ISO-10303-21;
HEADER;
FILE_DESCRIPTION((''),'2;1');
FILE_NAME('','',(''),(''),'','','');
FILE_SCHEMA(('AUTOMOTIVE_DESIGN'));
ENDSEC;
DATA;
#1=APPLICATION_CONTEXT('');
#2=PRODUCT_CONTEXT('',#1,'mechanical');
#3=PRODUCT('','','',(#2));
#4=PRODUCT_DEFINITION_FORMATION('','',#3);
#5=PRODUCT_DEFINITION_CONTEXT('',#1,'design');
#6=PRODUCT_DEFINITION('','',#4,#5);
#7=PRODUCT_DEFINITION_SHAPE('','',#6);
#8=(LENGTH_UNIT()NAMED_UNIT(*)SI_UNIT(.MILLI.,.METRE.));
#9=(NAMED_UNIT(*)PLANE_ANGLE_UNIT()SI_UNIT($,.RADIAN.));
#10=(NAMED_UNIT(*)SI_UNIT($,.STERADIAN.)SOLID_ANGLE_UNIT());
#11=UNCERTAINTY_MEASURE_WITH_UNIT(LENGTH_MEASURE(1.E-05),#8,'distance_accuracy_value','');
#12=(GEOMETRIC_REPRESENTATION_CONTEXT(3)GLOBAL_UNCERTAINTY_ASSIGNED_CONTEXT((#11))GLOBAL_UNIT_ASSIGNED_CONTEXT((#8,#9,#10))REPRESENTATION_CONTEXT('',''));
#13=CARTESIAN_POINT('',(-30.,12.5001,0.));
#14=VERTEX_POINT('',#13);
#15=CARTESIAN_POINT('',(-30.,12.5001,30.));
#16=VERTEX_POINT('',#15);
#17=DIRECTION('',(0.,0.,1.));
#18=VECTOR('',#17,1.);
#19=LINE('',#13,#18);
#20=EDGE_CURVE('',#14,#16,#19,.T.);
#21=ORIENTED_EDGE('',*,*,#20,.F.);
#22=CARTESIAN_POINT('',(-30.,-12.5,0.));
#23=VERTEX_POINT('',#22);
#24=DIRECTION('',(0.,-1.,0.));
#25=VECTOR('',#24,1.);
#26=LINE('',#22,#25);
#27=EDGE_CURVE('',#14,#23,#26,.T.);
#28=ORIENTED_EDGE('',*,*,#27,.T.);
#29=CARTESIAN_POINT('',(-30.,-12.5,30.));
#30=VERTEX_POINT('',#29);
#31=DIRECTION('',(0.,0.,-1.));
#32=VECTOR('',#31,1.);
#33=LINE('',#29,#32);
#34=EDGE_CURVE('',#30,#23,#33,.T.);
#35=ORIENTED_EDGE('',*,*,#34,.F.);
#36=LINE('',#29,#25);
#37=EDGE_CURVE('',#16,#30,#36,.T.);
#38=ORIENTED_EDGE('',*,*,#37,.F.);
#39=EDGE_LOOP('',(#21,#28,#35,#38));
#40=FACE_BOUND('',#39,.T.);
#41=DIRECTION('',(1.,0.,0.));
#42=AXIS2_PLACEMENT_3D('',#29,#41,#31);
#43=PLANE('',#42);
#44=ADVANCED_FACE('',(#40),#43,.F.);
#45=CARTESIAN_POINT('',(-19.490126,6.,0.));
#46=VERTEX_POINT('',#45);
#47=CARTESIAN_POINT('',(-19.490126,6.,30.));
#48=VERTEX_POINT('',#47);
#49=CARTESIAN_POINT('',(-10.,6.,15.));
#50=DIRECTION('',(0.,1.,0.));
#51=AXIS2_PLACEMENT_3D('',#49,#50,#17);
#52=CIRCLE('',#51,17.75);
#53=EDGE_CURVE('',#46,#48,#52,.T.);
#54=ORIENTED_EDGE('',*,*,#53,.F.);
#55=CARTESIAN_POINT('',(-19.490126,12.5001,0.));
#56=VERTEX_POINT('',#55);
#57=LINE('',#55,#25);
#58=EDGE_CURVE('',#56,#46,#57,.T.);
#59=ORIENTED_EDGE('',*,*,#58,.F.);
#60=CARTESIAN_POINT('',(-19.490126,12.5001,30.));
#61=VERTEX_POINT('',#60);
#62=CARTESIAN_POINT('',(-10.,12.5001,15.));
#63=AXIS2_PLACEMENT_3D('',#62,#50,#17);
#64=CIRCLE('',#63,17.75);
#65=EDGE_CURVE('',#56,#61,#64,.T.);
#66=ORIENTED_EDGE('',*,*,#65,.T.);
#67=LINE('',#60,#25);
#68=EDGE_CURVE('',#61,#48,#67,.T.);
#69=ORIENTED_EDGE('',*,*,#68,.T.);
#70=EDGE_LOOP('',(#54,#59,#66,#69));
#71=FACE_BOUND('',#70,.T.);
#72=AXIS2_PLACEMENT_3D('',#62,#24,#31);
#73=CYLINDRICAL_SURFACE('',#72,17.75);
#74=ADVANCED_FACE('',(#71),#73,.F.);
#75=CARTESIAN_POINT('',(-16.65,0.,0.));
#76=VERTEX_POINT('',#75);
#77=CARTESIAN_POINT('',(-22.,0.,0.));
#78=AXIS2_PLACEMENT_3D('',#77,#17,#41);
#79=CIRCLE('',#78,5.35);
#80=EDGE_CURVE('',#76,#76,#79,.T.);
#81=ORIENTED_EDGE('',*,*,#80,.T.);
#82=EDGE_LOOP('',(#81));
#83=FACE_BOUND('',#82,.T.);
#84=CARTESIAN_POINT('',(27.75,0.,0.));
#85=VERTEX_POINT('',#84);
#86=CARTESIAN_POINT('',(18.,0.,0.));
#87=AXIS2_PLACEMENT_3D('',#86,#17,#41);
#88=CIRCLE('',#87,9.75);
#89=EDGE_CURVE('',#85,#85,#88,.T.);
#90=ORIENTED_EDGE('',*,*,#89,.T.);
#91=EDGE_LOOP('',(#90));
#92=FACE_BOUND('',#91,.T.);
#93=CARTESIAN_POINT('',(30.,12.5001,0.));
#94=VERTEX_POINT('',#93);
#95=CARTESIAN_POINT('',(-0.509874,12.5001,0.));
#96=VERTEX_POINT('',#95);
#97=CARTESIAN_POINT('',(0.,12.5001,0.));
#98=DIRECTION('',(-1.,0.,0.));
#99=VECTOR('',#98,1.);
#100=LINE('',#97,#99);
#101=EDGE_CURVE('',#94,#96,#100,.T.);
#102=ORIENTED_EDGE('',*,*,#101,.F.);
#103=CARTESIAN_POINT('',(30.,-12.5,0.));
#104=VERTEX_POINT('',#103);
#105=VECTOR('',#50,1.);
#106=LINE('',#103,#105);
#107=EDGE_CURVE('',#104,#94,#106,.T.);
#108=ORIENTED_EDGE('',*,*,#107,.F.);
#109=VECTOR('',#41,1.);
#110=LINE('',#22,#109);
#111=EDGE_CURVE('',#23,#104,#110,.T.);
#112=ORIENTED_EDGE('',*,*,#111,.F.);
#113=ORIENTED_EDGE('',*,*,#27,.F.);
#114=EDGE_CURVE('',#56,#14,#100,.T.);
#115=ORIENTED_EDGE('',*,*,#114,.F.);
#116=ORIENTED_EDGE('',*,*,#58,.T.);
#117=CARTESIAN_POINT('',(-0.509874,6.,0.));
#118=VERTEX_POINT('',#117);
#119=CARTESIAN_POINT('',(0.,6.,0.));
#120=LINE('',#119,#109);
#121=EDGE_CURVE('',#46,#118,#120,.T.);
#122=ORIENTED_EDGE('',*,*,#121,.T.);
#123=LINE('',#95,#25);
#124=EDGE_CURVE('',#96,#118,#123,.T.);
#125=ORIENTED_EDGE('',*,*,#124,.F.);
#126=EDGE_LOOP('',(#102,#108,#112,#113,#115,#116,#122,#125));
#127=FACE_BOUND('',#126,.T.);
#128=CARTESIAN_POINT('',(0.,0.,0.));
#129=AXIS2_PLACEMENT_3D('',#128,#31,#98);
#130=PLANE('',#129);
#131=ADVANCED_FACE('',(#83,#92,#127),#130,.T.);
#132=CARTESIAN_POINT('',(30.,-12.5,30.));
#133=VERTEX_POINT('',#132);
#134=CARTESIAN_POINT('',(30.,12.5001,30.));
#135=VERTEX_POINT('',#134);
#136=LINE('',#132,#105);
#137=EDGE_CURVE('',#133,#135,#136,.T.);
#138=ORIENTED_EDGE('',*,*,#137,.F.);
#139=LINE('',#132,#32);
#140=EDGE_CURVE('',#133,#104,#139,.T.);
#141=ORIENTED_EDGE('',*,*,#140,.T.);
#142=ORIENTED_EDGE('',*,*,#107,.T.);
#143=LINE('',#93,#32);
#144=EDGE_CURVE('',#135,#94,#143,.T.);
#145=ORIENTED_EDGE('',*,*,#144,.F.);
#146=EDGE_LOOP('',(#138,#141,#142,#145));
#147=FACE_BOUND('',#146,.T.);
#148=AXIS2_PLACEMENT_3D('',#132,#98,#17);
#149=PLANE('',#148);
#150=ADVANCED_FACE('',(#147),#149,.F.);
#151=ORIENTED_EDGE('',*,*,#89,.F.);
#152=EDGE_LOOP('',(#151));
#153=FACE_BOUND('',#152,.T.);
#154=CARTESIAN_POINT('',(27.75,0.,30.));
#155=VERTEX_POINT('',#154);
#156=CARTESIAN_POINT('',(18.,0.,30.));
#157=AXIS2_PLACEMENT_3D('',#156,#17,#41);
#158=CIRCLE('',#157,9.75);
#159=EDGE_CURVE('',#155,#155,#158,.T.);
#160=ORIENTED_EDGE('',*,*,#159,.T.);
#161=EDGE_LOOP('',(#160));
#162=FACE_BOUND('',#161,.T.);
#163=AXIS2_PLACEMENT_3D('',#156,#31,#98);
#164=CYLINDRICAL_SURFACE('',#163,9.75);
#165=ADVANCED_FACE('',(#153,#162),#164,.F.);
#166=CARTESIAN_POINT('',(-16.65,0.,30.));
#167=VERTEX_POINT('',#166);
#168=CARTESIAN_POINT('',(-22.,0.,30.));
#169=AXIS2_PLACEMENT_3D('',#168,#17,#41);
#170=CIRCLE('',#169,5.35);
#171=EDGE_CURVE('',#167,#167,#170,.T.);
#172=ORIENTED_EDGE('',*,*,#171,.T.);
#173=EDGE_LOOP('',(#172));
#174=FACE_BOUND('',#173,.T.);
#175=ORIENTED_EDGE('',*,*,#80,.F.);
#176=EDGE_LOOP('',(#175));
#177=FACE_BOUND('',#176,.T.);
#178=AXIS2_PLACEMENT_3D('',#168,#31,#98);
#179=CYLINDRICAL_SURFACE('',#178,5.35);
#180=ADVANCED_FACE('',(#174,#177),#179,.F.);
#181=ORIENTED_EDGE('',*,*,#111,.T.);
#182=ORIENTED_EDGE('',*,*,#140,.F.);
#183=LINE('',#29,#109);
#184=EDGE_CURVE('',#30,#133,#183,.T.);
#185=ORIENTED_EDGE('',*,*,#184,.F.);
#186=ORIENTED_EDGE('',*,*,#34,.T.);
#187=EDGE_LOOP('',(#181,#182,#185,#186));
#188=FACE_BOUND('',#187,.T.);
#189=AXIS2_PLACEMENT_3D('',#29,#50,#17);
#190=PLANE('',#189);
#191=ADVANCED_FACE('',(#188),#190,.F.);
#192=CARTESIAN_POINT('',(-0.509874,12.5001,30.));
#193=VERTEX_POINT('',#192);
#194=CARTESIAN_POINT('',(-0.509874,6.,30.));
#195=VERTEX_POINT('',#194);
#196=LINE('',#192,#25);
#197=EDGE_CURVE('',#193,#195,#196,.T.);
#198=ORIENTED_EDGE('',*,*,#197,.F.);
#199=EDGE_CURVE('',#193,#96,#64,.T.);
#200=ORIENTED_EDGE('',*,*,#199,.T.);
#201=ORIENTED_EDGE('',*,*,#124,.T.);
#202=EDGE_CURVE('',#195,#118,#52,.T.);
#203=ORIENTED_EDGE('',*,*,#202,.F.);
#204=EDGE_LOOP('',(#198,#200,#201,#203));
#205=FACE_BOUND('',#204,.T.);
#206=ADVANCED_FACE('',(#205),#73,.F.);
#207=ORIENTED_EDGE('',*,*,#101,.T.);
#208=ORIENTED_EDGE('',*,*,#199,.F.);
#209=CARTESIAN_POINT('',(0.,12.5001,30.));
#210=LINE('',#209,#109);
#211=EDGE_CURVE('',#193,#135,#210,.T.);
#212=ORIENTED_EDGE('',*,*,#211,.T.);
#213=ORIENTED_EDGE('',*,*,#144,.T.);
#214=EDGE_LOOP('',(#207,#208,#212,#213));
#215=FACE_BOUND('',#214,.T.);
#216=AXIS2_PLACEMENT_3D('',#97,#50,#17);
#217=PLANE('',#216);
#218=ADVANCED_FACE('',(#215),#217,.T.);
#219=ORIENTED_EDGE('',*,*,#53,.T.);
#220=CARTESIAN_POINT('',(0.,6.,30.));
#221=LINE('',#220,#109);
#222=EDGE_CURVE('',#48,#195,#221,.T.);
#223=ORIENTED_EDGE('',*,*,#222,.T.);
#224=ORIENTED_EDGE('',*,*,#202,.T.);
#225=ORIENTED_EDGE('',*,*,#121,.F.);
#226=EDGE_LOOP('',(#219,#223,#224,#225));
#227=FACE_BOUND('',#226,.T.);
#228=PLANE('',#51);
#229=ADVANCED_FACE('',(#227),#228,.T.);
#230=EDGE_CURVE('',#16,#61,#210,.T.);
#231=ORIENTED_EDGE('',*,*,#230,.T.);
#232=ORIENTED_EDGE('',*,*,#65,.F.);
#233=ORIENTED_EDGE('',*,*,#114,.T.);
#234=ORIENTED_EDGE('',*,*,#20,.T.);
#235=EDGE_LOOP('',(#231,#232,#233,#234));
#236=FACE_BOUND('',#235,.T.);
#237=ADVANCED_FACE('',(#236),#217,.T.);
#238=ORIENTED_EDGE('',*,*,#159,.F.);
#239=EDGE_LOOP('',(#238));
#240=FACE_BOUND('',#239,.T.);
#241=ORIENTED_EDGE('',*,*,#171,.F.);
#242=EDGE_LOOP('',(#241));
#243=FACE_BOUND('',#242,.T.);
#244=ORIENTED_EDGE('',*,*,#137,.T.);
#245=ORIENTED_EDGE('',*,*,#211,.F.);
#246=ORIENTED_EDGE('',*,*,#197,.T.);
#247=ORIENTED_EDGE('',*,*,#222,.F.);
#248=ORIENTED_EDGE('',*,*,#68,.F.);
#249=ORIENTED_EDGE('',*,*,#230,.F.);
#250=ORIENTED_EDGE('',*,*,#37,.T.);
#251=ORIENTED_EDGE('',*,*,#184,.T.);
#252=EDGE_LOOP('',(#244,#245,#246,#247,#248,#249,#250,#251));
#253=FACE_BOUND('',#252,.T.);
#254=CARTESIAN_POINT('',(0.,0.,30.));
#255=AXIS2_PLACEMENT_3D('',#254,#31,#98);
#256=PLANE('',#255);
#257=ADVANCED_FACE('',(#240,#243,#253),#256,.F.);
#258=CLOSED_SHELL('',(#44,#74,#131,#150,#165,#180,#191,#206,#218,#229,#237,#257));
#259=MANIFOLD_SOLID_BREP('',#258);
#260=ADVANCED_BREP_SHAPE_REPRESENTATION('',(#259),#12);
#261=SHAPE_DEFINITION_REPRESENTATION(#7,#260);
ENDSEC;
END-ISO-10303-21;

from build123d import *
from build123d.topology import SkipClean

# Parameters (mm, degrees)
SKETCH1_W           = 60
SKETCH1_H           = 25
SKETCH1_R           = 9.75
SKETCH1_R_2         = 5.35
BOSS_EXTRUDE1_DEPTH = 30
BOSS_EXTRUDE2_DEPTH = 0.0001
CUT_EXTRUDE1_START  = -6.5
SKETCH2_3_R         = 17.75
CUT_EXTRUDE1_DEPTH  = 6.5


with BuildPart() as part:
    # Sketch1 → Boss-Extrude1 (new body)
    with BuildSketch(Plane.XY):
        Rectangle(SKETCH1_W, SKETCH1_H)
        with Locations((18, 0)):
            Circle(SKETCH1_R, mode=Mode.SUBTRACT)
        with Locations((-22, 0)):
            Circle(SKETCH1_R_2, mode=Mode.SUBTRACT)
    extrude(amount=BOSS_EXTRUDE1_DEPTH)

    # Sketch2 → Boss-Extrude2 (add)
    with BuildSketch(Plane(origin=(0, 12.5, 0), x_dir=(1, 0, 0), z_dir=(0, 1, 0))):
        with BuildLine():
            ThreePointArc((-0.509873552, 0), (7.75, -15), (-0.509873552, -30))
            Line((-0.509873552, -30), (30, -30))
            Line((30, -30), (30, 0))
            Line((30, 0), (-0.509873552, 0))
        make_face()
        with BuildLine():
            ThreePointArc((-19.490126448, -30), (-27.75, -15), (-19.490126448, 0))
            Line((-19.490126448, 0), (-30, 0))
            Line((-30, 0), (-30, -30))
            Line((-30, -30), (-19.490126448, -30))
        make_face()
    extrude(amount=BOSS_EXTRUDE2_DEPTH)

    # Sketch2<3> → Cut-Extrude1 (cut)
    with SkipClean():  # the faces are left unmerged after this step: merging them gives an invalid solid
        with BuildSketch(Plane(origin=(0, 12.5, 0), x_dir=(1, 0, 0), z_dir=(0, 1, 0)).offset(CUT_EXTRUDE1_START)):
            with Locations((-10, -15)):
                Circle(SKETCH2_3_R)
        extrude(amount=CUT_EXTRUDE1_DEPTH, mode=Mode.SUBTRACT)


solid = part.part
